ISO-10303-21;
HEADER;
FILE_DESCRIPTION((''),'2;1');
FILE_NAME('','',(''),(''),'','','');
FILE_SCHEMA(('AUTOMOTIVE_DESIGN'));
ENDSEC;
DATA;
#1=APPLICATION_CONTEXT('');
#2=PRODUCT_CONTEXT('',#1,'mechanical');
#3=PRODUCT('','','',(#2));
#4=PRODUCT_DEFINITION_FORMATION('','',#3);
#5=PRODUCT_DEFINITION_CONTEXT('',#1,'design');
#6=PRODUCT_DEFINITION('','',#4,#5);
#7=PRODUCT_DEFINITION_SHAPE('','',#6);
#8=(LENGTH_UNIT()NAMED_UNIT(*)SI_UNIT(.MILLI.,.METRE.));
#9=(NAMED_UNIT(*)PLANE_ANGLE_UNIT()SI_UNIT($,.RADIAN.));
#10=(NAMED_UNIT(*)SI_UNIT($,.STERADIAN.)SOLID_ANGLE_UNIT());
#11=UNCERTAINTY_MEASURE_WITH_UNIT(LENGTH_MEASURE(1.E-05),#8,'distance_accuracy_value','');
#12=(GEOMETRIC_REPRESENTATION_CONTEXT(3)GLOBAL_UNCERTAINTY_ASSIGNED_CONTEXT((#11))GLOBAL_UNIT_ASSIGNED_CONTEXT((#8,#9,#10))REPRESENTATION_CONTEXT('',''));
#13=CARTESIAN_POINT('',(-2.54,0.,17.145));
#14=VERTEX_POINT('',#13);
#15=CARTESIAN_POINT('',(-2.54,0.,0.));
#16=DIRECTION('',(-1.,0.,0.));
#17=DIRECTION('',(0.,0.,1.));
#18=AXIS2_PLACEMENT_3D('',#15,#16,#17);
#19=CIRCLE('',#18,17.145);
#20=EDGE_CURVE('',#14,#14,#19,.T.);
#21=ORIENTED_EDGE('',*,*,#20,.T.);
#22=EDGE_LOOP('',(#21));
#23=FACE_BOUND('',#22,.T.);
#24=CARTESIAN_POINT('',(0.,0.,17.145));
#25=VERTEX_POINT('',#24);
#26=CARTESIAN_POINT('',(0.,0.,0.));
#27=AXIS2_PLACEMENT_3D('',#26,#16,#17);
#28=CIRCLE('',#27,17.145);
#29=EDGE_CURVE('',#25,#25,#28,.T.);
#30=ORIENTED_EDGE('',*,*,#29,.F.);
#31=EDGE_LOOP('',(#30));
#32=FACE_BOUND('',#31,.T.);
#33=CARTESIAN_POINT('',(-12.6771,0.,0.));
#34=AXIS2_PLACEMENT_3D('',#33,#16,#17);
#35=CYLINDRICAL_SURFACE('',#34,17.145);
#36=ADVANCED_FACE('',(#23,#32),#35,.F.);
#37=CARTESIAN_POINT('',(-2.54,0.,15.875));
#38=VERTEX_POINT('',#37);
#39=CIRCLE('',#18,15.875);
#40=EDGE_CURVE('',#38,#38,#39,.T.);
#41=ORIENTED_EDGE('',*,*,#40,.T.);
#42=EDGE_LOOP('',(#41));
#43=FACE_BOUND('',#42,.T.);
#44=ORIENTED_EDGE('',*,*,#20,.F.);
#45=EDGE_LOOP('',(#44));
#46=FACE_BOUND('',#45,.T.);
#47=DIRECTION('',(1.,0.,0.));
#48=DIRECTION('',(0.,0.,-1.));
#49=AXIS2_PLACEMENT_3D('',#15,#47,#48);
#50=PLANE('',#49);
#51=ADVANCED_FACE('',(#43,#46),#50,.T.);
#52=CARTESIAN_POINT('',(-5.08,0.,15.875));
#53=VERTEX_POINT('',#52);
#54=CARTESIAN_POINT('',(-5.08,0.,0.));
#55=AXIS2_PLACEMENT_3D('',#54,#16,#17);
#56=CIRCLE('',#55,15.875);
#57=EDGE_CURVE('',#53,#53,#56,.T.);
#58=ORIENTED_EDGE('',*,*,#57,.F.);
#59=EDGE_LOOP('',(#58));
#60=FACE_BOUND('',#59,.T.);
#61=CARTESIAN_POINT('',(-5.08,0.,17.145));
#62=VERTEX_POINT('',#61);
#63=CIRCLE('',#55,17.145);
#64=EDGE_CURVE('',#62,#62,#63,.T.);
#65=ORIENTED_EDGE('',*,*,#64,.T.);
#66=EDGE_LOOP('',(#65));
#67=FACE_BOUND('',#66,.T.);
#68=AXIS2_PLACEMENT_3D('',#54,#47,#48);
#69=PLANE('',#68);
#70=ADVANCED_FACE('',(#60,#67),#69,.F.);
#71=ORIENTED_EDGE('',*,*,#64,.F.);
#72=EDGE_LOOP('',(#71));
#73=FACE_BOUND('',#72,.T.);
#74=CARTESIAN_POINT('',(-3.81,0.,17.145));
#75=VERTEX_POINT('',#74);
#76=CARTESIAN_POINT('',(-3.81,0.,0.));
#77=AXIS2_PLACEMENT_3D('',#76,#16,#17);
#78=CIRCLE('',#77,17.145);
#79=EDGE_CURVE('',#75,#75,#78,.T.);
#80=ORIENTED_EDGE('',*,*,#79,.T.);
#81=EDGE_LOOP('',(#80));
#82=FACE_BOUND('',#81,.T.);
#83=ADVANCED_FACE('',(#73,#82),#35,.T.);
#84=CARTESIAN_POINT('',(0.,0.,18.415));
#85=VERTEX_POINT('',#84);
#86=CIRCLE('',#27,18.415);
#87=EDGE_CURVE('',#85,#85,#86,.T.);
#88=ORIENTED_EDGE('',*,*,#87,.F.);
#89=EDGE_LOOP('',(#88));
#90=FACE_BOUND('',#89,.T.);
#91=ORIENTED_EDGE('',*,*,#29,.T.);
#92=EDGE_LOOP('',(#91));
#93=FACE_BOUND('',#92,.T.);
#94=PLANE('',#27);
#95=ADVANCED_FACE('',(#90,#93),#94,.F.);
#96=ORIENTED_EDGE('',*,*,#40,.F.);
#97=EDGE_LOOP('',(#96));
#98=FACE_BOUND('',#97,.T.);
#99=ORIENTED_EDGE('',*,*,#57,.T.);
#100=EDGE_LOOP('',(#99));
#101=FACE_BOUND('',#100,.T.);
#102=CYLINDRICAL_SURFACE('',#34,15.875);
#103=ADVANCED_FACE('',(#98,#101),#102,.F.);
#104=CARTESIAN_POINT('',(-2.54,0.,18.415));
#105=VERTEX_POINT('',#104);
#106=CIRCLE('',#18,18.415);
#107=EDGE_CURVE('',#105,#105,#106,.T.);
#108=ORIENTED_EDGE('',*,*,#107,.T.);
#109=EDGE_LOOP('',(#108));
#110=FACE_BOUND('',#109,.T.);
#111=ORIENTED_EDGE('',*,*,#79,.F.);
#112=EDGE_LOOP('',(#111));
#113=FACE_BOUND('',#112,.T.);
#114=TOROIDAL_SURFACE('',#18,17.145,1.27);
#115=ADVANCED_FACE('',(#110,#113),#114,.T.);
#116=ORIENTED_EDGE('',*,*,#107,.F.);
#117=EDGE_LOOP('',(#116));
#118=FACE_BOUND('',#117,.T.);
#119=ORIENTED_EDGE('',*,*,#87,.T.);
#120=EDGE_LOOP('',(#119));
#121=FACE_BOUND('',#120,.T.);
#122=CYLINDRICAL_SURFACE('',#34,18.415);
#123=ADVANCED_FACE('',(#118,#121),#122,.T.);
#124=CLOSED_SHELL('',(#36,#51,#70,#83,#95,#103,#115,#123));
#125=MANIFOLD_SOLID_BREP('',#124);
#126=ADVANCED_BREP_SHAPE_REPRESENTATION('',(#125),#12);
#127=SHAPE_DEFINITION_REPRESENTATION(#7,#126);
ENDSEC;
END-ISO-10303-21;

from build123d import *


with BuildPart() as part:
    # Sketch1 → Revolve1 (revolve)
    with BuildSketch(Plane.XY, mode=Mode.PRIVATE) as revolve1_sk:
        with BuildLine():
            Line((0, 18.415), (-2.54, 18.415))
            ThreePointArc((-2.54, 18.415), (-3.438025612, 18.043025612), (-3.81, 17.145))
            Line((-3.81, 17.145), (-5.08, 17.145))
            Line((-5.08, 17.145), (-5.08, 15.875))
            Line((-5.08, 15.875), (-2.54, 15.875))
            Line((-2.54, 15.875), (-2.54, 17.145))
            Line((-2.54, 17.145), (0, 17.145))
            Line((0, 17.145), (0, 18.415))
        make_face()
    revolve(revolve1_sk.sketch.rotate(Axis((-12.677099545, 0, 0), (1, 0, 0)), 90), axis=Axis((-12.677099545, 0, 0), (1, 0, 0)))


solid = part.part
